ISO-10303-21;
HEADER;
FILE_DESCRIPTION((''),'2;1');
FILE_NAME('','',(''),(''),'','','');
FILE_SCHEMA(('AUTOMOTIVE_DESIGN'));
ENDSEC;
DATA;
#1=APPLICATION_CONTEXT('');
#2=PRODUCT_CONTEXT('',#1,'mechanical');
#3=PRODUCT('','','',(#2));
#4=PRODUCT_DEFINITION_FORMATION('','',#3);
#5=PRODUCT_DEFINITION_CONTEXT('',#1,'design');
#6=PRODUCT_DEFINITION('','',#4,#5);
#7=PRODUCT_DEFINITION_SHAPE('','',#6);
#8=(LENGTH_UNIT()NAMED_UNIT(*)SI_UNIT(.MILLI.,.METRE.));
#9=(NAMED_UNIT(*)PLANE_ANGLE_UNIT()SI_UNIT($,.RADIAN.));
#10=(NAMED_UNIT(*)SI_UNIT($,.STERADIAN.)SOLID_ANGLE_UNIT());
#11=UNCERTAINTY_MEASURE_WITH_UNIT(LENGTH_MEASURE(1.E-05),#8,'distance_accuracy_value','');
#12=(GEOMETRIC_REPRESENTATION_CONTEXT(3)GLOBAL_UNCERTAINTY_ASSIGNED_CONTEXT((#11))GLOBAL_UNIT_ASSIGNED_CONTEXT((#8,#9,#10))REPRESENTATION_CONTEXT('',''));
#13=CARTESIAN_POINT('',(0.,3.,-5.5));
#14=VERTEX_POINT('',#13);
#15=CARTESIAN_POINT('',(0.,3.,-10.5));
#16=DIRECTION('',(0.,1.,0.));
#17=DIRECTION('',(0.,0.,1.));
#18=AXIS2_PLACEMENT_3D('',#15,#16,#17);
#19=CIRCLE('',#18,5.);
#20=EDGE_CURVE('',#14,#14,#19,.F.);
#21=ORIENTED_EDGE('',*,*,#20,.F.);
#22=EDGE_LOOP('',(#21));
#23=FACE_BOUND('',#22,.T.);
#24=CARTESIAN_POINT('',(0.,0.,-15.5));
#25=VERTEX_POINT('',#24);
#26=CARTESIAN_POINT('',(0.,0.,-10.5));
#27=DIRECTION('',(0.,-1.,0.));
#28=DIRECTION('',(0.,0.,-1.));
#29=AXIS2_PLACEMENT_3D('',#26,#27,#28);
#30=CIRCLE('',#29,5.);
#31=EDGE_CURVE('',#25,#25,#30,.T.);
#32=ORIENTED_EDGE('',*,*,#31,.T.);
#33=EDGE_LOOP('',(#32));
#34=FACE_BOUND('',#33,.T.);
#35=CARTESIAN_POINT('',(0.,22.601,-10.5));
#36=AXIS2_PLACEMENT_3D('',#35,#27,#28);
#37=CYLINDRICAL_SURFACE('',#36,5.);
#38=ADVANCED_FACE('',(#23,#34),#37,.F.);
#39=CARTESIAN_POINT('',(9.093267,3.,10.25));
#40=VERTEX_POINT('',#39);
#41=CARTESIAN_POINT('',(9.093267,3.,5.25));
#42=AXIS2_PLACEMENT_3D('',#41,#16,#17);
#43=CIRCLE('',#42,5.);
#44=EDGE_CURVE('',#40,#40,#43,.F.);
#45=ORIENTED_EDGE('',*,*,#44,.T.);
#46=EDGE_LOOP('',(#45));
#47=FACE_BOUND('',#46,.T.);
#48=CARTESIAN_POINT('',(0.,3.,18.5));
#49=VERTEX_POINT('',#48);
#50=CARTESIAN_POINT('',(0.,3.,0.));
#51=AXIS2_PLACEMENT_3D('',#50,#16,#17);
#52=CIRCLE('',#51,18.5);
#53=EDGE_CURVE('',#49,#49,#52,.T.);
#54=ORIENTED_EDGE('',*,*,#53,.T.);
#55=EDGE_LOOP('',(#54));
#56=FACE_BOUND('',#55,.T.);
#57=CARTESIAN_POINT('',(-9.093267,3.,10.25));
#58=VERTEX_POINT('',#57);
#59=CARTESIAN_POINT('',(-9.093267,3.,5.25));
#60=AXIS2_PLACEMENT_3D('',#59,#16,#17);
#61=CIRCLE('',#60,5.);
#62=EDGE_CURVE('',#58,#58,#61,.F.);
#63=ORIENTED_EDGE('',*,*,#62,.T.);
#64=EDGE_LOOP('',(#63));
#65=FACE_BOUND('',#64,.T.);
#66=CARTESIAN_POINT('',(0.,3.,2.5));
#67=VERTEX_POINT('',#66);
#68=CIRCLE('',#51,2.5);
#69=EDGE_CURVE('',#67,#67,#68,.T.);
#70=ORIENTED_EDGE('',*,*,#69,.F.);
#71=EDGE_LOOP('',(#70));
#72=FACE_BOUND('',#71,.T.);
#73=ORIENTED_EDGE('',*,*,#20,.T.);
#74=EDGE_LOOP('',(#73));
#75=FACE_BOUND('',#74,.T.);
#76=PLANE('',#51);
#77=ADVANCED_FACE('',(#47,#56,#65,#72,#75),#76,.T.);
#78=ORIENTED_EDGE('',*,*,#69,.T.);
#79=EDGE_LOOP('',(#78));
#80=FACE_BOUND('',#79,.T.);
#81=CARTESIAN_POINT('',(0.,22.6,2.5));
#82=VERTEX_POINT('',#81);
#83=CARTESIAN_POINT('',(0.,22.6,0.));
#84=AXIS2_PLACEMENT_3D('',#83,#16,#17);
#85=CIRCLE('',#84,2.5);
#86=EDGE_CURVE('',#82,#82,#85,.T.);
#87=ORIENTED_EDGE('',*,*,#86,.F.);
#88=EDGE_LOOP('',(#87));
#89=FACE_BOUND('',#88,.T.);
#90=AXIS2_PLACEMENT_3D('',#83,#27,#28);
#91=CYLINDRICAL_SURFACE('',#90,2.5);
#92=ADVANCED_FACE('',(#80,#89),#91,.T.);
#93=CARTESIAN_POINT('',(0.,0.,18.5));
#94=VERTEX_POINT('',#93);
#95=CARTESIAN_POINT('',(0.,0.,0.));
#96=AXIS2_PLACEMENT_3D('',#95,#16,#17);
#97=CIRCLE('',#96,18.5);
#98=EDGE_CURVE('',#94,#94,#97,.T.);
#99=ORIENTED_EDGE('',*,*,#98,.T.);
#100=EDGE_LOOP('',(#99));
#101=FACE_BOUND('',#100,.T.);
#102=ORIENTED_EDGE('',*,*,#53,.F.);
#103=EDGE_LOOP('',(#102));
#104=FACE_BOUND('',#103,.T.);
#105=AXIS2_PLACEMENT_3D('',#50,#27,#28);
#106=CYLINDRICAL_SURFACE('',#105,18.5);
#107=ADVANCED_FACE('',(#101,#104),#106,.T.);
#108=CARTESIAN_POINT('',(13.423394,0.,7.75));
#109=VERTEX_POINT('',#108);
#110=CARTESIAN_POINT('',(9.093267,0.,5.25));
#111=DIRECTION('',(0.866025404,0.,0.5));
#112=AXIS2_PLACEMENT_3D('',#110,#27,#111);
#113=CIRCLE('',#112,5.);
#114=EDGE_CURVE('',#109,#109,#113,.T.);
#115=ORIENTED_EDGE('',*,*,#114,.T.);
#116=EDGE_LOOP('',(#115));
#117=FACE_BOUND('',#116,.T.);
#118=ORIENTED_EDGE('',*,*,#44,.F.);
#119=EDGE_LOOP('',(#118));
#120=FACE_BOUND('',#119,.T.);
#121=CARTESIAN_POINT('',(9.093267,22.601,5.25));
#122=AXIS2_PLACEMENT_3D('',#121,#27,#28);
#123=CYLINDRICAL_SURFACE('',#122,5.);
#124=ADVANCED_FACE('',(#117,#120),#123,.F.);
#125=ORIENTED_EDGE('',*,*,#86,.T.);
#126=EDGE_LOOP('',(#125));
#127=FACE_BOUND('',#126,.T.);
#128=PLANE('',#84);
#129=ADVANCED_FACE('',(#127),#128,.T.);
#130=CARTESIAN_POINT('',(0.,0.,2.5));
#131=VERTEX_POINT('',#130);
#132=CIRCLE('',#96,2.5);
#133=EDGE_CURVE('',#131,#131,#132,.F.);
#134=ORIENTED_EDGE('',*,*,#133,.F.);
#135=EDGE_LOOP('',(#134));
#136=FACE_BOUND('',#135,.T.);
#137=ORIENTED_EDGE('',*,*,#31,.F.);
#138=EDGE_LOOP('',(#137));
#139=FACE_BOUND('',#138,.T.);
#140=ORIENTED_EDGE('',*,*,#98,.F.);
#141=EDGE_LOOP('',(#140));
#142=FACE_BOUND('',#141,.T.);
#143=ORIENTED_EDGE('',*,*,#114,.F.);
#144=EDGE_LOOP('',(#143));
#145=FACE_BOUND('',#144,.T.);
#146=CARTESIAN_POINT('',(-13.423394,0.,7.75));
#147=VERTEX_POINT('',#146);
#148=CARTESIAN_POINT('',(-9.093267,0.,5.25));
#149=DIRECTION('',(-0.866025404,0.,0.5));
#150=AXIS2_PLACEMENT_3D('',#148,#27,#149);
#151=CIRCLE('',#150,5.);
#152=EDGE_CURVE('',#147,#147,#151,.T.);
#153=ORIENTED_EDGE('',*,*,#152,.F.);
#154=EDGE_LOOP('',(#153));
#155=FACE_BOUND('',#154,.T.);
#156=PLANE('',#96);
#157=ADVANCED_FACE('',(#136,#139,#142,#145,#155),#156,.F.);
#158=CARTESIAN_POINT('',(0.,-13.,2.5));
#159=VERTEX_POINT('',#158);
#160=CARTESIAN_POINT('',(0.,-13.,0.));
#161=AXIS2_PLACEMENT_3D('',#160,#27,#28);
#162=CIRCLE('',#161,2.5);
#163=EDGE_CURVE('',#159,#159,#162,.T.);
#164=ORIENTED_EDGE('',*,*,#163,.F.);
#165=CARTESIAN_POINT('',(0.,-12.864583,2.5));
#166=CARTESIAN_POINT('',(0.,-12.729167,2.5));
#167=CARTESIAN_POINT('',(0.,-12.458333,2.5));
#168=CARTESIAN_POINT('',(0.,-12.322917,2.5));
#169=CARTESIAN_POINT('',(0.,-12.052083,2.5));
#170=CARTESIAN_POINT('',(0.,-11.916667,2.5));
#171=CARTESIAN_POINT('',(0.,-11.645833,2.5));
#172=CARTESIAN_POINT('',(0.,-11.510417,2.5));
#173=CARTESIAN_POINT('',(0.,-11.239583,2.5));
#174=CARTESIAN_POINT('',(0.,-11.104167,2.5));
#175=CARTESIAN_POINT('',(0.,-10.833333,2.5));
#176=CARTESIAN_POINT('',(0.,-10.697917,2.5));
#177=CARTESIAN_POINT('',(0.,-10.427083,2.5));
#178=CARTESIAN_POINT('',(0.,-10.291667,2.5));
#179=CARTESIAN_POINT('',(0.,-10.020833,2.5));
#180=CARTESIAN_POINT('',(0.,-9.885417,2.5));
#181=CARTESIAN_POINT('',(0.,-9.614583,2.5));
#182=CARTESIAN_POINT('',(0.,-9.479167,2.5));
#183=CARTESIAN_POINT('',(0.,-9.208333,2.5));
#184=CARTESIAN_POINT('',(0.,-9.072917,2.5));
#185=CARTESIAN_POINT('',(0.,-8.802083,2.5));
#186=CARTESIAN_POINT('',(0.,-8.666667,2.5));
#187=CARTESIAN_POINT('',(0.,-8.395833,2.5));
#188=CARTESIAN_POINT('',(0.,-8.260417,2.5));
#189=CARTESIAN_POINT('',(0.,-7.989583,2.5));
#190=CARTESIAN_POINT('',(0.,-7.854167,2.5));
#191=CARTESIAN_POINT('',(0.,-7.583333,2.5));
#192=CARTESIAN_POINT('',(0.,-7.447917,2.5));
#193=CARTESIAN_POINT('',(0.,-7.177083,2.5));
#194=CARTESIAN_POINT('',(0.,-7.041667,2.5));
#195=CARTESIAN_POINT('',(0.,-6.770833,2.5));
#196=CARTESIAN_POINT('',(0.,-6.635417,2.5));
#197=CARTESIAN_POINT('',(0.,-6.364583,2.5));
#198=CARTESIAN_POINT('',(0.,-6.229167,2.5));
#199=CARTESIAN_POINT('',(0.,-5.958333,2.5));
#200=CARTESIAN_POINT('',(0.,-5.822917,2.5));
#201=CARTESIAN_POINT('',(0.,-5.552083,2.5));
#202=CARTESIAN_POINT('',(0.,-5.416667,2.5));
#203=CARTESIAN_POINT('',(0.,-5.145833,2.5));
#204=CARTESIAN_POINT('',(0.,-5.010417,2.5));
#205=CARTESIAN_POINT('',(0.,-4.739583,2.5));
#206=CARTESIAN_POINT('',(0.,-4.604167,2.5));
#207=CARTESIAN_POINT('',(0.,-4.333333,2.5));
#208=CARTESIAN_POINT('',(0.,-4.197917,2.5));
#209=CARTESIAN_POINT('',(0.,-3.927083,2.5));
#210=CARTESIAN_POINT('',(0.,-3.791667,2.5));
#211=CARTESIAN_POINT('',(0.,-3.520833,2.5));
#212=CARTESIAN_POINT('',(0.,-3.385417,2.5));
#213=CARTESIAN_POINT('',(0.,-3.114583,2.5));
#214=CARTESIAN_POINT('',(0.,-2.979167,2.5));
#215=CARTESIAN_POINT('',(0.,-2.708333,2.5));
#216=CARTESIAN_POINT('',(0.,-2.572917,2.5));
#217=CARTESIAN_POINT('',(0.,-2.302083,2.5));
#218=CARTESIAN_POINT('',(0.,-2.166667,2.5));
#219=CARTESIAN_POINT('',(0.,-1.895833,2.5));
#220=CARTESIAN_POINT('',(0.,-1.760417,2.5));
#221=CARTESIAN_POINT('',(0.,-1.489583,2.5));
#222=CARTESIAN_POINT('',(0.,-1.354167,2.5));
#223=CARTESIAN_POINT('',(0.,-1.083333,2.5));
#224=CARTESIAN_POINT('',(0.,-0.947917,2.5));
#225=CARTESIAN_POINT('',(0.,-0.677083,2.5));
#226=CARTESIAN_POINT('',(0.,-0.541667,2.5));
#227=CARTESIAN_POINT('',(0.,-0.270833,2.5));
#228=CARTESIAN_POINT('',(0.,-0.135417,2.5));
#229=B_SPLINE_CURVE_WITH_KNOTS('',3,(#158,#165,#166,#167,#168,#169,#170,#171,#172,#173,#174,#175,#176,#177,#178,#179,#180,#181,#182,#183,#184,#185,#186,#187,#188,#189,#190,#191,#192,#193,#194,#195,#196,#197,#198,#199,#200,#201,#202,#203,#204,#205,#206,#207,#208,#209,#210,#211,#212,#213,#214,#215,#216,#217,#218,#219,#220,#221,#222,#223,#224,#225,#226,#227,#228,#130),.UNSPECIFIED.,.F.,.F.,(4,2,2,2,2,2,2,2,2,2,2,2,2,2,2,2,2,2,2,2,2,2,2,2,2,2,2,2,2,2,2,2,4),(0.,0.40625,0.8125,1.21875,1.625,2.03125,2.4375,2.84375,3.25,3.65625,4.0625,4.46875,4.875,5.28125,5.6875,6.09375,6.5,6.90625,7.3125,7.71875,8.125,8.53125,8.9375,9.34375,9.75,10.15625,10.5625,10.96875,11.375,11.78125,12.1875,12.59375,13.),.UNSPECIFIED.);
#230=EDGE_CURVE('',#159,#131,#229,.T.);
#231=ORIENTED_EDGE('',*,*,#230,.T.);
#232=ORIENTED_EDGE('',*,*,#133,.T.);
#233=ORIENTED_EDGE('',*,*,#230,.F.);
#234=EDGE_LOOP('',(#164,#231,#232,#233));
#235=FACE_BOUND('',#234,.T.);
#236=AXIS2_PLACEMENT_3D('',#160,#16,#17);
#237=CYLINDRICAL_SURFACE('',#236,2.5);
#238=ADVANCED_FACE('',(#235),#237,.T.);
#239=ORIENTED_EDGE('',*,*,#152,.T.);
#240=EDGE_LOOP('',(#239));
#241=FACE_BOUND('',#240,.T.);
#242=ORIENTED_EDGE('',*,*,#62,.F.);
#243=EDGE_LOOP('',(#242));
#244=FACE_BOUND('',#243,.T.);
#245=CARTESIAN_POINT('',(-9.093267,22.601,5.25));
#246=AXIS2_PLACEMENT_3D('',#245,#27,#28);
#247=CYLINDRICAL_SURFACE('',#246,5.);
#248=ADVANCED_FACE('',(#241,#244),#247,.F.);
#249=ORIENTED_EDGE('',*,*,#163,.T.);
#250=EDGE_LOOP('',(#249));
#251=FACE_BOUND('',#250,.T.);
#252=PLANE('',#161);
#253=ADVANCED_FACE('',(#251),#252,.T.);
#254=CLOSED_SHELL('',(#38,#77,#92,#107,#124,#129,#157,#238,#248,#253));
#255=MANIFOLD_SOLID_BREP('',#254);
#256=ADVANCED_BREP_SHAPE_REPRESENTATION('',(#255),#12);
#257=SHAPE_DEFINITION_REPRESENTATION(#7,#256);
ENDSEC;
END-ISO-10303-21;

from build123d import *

# Parameters (mm, degrees)
SKETCH_1_R               = 18.5
EXTRUDE_1_DEPTH          = 3
SKETCH_2_R               = 2.5
EXTRUDE_2_DEPTH          = 19.6
EXTRUDE_START            = 13
SKETCH_3_R               = 2.5
EXTRUDE_3_DEPTH          = 13
CUT_EXTRUDE_1_REACH      = 36.573
SKETCH_4_R               = 5
PATTERN_CIRCULAR_1_COUNT = 3


with BuildPart() as part:
    # 草图1 → 凸台-拉伸1 (new body)
    with BuildSketch(Plane(origin=(0, 0, 0), x_dir=(1, 0, 0), z_dir=(0, 1, 0))):
        with Locations(Location((0, 0, 0), (0, 0, 270))):
            Circle(SKETCH_1_R)
    extrude(amount=EXTRUDE_1_DEPTH)

    # 草图2 → 凸台-拉伸2 (add)
    with BuildSketch(Plane(origin=(0, 3, 0), x_dir=(1, 0, 0), z_dir=(0, 1, 0))):
        with Locations(Location((0, 0, 0), (0, 0, 270))):
            Circle(SKETCH_2_R)
    extrude(amount=EXTRUDE_2_DEPTH)

    # 草图3 → 凸台-拉伸3 (add)
    with BuildSketch(Plane(origin=(0, 0, 0), x_dir=(-1, 0, 0), z_dir=(0, -1, 0)).offset(EXTRUDE_START)):
        with Locations(Location((0, 0, 0), (0, 0, 270))):
            Circle(SKETCH_3_R)
    extrude(amount=-EXTRUDE_3_DEPTH)

    # 草图4 → 切除-拉伸1 (cut, up to next)
    with BuildSketch(Plane(origin=(0, 0, 0), x_dir=(-1, 0, 0), z_dir=(0, -1, 0)), mode=Mode.PRIVATE) as cut_extrude_1_sk1:
        with Locations(Location((0, 10.5, 0), (0, 0, 90))):
            Circle(SKETCH_4_R)
    cut_extrude_1_tool1 = extrude(cut_extrude_1_sk1.sketch, amount=-CUT_EXTRUDE_1_REACH, mode=Mode.PRIVATE) & part.part
    cut_extrude_1 = cut_extrude_1_tool1.solids().sort_by_distance((0, 0, -10.5))[0]
    add(cut_extrude_1, mode=Mode.SUBTRACT)

    # 阵列(圆周)1: 切除-拉伸1 ×3 about axis
    pattern_circular_1_axis = Axis((0, 0, 0), (0, 1, 0))
    for i in range(1, PATTERN_CIRCULAR_1_COUNT):
        add(cut_extrude_1.rotate(pattern_circular_1_axis, i * 360 / PATTERN_CIRCULAR_1_COUNT), mode=Mode.SUBTRACT)


solid = part.part
